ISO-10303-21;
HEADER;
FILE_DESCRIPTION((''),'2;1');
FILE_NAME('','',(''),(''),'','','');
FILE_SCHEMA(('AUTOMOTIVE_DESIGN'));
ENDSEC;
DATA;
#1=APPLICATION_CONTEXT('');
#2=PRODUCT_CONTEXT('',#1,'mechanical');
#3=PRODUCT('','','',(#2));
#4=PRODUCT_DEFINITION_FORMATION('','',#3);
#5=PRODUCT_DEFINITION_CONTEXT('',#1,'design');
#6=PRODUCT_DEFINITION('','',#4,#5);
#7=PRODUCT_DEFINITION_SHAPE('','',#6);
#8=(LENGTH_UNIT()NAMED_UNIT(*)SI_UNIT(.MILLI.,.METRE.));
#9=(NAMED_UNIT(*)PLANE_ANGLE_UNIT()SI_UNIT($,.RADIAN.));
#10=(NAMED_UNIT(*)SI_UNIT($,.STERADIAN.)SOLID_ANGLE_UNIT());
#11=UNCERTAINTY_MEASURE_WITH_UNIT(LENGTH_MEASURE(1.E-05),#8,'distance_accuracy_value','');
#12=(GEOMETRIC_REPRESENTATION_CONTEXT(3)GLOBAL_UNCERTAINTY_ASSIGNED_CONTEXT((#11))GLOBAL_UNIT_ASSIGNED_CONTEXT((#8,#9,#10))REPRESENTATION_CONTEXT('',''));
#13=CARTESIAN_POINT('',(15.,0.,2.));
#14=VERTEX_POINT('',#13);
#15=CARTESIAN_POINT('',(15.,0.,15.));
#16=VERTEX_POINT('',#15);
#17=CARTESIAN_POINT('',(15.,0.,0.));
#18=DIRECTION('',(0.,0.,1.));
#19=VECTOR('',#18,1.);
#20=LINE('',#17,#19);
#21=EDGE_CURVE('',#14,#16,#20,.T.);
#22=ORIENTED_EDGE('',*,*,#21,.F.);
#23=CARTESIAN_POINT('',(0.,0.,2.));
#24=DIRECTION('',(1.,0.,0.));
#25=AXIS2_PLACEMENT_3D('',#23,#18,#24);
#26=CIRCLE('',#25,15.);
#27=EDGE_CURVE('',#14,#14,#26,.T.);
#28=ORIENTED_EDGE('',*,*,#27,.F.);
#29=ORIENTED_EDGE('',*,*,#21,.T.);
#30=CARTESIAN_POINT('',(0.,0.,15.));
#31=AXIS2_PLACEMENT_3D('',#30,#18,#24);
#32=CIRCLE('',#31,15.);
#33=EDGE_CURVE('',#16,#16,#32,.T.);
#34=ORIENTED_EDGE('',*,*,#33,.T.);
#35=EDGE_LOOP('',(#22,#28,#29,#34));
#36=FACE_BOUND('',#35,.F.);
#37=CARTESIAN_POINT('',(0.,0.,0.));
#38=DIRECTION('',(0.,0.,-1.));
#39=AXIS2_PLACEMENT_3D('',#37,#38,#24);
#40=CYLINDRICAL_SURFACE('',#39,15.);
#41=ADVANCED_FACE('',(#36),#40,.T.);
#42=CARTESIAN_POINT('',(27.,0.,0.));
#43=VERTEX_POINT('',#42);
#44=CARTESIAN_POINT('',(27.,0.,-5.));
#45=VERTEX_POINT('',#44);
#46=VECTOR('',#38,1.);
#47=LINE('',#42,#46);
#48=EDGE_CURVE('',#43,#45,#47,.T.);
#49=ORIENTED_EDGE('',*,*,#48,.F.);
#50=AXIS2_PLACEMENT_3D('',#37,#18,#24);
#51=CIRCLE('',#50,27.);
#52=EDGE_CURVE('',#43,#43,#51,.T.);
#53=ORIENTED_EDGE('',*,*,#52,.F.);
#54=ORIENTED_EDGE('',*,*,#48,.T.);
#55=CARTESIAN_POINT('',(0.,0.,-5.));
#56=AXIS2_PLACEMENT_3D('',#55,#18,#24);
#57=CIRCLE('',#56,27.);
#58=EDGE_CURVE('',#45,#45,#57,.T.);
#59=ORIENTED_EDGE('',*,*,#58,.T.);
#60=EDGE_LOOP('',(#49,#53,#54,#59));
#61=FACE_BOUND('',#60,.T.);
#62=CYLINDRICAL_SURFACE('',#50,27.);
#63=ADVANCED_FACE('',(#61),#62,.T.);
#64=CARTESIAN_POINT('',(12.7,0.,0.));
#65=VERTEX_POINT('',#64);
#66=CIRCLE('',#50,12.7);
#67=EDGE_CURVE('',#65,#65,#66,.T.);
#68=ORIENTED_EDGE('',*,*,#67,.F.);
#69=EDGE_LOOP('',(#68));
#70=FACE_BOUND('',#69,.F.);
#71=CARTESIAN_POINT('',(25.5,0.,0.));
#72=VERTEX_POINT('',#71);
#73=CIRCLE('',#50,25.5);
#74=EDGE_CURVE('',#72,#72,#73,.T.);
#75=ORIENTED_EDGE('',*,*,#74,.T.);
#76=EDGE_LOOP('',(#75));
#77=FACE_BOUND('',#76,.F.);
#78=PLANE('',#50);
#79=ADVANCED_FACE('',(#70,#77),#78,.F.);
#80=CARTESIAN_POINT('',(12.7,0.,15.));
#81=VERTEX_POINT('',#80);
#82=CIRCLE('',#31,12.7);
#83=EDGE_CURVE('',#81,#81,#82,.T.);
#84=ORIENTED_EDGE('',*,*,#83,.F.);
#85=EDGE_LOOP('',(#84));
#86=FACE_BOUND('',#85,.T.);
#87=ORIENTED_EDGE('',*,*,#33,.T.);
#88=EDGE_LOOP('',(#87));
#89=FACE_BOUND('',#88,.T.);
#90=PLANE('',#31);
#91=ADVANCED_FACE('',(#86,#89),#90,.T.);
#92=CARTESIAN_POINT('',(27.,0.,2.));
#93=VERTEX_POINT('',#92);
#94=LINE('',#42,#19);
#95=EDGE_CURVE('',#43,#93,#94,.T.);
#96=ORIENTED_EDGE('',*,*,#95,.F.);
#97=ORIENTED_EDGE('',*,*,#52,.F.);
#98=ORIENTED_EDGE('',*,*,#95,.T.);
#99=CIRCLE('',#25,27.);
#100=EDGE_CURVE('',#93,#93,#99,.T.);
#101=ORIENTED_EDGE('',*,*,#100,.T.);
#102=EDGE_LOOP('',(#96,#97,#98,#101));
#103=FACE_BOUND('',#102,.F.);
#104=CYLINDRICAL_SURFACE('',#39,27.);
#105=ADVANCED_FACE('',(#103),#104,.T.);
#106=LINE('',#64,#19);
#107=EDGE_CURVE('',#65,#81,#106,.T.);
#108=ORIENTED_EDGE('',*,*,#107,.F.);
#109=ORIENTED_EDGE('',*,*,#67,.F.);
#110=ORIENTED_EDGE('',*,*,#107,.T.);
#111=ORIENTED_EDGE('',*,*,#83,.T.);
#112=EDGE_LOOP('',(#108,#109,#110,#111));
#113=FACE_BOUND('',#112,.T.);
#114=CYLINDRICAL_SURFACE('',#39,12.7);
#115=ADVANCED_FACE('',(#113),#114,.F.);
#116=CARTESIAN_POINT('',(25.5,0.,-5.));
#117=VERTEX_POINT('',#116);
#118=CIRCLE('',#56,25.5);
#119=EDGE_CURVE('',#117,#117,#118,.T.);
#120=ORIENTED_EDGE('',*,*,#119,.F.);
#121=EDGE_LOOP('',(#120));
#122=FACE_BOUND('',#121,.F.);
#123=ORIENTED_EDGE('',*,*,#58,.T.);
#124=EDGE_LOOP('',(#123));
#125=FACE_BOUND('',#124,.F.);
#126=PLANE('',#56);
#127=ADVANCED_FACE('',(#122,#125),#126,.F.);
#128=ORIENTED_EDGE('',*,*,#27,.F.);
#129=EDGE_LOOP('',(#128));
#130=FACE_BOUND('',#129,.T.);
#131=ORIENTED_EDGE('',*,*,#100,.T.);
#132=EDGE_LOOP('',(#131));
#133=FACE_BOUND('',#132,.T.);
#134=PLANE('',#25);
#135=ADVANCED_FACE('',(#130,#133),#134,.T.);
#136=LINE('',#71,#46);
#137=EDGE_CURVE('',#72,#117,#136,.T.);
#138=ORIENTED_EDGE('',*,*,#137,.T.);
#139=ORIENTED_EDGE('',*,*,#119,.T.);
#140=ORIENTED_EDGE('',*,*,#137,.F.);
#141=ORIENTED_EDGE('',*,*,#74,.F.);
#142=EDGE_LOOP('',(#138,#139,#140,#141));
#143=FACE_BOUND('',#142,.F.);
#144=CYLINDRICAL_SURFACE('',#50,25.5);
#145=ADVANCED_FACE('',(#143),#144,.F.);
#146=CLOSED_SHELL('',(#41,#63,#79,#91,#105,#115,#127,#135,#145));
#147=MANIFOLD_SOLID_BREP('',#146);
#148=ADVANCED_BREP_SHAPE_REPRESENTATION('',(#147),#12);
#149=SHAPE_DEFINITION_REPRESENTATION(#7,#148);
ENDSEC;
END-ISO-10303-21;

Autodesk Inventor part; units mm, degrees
ref_plane "YZ Plane" through (0, 0, 0) normal (1, 0, 0) x (0, 1, 0)
ref_plane "XZ Plane" through (0, 0, 0) normal (0, 1, 0) x (-1, 0, 0)
ref_plane "XY Plane" through (0, 0, 0) normal (0, 0, 1) x (1, 0, 0)
sketch "Sketch1" plane through (0, 0, 0) normal (0, 0, 1) x (1, 0, 0)
  circle A0 centre (0, 0) radius 12.7
  circle A1 centre (0, 0) radius 15
  circle A2 centre (0, 0) radius 25.5
  circle A3 centre (0, 0) radius 27
  dimension "d1" = 25.4
  dimension "d2" = 30
  dimension "d3" = 51
  dimension "d4" = 54
extrude "Extrusion1" add sketch "Sketch1" along normal blind 15 contours A1
extrude "Extrusion2" add sketch "Sketch1" along normal blind 2 contours A2
extrude "Extrusion3" add sketch "Sketch1" along normal blind 2 and the other way blind 5 contours A3
equation "\"BendRadius\" = Thickness"
equation "\"BendReliefWidth\" = Thickness"
equation "\"BendReliefDepth\" = 0.5 * Thickness"
equation "\"CornerReliefSize\" = 4 * Thickness"
equation "\"MinimumRemnant\" = 2 * Thickness"
equation "\"TransitionRadius\" = BendRadius"
equation "\"JacobiRadiusSize\" = BendRadius"
equation "\"GapSize\" = Thickness"
equation "\"Thickness\" = 0.5"
